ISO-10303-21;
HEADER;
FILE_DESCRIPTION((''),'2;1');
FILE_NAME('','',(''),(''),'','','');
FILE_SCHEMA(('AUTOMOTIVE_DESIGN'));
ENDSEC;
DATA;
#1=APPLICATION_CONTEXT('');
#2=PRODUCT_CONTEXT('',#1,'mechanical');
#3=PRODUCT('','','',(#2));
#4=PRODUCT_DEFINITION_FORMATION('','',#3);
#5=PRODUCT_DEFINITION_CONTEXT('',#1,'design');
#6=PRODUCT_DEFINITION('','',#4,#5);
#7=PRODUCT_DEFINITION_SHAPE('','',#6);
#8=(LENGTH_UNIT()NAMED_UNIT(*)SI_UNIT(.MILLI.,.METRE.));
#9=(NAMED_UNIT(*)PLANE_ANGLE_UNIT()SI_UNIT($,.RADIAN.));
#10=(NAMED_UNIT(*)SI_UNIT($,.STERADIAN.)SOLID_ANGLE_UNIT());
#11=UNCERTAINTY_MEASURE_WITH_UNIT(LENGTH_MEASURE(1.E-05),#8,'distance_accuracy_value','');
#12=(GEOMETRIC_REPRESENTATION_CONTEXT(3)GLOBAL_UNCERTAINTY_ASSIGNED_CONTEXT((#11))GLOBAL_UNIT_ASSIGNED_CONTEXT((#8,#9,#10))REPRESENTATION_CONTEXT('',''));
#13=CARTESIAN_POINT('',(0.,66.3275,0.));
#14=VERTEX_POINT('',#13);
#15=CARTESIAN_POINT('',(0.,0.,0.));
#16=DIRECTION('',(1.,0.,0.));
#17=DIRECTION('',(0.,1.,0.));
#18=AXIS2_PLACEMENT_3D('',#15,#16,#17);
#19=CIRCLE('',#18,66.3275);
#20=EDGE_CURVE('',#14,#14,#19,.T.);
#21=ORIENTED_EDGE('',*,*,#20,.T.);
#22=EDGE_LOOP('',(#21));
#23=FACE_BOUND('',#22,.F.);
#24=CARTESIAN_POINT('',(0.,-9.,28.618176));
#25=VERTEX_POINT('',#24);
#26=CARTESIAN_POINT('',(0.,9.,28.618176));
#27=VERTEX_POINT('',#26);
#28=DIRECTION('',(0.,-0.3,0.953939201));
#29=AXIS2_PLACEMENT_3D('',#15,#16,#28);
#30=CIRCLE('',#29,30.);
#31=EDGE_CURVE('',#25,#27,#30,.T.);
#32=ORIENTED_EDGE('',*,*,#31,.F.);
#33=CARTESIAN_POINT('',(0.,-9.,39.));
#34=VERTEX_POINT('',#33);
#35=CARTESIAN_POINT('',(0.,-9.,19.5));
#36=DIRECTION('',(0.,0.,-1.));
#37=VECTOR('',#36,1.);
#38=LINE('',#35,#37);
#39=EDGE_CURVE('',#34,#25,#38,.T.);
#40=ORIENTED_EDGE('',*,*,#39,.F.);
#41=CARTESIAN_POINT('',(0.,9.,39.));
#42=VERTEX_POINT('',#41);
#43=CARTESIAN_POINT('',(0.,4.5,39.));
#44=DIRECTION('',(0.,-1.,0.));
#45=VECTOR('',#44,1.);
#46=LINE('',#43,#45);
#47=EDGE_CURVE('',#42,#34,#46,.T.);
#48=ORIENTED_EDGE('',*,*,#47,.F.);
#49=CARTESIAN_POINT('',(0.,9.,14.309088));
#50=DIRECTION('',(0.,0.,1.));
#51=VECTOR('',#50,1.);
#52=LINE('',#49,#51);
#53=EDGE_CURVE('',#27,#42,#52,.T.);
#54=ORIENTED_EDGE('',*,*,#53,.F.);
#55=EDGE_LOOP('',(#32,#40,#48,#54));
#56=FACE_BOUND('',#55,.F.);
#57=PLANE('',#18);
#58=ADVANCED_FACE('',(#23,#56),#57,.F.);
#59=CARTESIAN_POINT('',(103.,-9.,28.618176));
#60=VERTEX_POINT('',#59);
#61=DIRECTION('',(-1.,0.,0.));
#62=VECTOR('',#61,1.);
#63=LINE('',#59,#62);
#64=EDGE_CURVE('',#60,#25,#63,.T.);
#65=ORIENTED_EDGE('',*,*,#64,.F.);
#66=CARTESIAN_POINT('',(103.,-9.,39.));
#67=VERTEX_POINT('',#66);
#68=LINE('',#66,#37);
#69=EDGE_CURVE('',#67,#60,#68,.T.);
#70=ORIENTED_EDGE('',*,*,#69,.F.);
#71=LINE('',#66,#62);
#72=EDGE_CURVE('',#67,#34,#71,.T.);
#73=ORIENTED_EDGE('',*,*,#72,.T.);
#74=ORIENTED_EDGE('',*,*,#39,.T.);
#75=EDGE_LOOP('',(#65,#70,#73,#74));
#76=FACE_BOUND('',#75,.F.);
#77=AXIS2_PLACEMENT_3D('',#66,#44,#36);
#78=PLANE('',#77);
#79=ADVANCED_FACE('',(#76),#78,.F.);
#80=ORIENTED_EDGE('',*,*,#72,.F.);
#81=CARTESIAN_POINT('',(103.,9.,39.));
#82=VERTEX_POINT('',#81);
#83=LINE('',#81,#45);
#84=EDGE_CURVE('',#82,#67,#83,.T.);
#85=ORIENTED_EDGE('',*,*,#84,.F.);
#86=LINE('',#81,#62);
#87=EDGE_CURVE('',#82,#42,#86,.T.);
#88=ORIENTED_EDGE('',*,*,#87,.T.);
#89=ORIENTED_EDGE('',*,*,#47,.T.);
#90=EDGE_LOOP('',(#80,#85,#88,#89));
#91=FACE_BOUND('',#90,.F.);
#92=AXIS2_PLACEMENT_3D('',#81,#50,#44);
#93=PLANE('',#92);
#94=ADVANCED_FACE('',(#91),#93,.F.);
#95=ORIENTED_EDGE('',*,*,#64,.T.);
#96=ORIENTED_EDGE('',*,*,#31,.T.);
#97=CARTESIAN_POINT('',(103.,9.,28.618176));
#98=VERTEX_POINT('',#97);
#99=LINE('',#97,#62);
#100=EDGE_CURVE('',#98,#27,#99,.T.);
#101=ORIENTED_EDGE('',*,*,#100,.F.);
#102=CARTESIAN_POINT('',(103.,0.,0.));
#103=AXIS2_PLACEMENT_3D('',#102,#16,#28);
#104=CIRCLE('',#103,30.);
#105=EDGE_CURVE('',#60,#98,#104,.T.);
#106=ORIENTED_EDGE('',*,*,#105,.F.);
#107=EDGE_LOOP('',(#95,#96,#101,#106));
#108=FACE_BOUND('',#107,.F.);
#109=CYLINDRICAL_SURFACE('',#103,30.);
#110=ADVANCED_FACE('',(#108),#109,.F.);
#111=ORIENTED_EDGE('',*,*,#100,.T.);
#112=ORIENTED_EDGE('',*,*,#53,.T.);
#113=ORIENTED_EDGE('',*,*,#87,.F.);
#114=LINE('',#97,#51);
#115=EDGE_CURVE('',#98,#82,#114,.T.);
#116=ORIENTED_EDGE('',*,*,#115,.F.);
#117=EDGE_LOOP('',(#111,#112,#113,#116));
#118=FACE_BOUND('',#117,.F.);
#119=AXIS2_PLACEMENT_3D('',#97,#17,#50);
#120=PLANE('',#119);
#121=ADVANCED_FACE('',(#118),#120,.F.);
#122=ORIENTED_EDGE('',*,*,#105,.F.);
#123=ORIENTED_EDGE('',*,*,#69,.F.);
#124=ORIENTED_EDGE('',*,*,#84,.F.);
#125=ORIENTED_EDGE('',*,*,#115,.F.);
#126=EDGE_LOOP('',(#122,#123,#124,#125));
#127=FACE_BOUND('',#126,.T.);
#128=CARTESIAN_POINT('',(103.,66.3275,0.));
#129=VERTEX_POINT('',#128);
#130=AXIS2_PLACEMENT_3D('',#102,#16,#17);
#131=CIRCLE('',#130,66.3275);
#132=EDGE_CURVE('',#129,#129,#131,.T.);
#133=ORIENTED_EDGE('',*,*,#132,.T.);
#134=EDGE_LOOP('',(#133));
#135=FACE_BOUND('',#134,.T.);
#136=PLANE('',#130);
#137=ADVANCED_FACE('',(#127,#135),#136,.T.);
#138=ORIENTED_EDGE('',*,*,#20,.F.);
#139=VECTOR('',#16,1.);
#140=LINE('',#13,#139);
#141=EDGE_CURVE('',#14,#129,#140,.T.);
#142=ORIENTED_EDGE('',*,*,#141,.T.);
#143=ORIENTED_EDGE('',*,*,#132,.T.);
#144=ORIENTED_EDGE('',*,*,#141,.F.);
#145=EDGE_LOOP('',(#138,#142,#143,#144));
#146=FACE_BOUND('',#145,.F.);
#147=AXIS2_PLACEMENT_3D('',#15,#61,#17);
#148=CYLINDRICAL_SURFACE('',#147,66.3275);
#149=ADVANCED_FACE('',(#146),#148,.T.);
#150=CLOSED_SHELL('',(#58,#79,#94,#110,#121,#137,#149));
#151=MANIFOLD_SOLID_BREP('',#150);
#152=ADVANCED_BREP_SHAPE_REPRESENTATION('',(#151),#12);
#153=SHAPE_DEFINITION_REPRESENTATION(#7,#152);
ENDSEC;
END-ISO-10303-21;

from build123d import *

# Parameters (mm, degrees)
F0_R     = 66.3275
F1_DEPTH = 103
F3_DEPTH = 103.001


with BuildPart() as f1:
    # F0 (on Right) → F1 (new body)
    with BuildSketch(Plane.YZ):
        Circle(F0_R)
    extrude(amount=F1_DEPTH)

    # F2 (on face) → F3 (cut, through all)
    with BuildSketch(Plane.YZ.offset(103)):
        with BuildLine():
            Line((-9, 39), (-9, 28.618176))
            ThreePointArc((-9, 28.618176), (0, -30), (9, 28.618176))
            Line((9, 28.618176), (9, 39))
            Line((9, 39), (-9, 39))
        make_face()
    extrude(amount=-F3_DEPTH, mode=Mode.SUBTRACT)


solid = f1.part
